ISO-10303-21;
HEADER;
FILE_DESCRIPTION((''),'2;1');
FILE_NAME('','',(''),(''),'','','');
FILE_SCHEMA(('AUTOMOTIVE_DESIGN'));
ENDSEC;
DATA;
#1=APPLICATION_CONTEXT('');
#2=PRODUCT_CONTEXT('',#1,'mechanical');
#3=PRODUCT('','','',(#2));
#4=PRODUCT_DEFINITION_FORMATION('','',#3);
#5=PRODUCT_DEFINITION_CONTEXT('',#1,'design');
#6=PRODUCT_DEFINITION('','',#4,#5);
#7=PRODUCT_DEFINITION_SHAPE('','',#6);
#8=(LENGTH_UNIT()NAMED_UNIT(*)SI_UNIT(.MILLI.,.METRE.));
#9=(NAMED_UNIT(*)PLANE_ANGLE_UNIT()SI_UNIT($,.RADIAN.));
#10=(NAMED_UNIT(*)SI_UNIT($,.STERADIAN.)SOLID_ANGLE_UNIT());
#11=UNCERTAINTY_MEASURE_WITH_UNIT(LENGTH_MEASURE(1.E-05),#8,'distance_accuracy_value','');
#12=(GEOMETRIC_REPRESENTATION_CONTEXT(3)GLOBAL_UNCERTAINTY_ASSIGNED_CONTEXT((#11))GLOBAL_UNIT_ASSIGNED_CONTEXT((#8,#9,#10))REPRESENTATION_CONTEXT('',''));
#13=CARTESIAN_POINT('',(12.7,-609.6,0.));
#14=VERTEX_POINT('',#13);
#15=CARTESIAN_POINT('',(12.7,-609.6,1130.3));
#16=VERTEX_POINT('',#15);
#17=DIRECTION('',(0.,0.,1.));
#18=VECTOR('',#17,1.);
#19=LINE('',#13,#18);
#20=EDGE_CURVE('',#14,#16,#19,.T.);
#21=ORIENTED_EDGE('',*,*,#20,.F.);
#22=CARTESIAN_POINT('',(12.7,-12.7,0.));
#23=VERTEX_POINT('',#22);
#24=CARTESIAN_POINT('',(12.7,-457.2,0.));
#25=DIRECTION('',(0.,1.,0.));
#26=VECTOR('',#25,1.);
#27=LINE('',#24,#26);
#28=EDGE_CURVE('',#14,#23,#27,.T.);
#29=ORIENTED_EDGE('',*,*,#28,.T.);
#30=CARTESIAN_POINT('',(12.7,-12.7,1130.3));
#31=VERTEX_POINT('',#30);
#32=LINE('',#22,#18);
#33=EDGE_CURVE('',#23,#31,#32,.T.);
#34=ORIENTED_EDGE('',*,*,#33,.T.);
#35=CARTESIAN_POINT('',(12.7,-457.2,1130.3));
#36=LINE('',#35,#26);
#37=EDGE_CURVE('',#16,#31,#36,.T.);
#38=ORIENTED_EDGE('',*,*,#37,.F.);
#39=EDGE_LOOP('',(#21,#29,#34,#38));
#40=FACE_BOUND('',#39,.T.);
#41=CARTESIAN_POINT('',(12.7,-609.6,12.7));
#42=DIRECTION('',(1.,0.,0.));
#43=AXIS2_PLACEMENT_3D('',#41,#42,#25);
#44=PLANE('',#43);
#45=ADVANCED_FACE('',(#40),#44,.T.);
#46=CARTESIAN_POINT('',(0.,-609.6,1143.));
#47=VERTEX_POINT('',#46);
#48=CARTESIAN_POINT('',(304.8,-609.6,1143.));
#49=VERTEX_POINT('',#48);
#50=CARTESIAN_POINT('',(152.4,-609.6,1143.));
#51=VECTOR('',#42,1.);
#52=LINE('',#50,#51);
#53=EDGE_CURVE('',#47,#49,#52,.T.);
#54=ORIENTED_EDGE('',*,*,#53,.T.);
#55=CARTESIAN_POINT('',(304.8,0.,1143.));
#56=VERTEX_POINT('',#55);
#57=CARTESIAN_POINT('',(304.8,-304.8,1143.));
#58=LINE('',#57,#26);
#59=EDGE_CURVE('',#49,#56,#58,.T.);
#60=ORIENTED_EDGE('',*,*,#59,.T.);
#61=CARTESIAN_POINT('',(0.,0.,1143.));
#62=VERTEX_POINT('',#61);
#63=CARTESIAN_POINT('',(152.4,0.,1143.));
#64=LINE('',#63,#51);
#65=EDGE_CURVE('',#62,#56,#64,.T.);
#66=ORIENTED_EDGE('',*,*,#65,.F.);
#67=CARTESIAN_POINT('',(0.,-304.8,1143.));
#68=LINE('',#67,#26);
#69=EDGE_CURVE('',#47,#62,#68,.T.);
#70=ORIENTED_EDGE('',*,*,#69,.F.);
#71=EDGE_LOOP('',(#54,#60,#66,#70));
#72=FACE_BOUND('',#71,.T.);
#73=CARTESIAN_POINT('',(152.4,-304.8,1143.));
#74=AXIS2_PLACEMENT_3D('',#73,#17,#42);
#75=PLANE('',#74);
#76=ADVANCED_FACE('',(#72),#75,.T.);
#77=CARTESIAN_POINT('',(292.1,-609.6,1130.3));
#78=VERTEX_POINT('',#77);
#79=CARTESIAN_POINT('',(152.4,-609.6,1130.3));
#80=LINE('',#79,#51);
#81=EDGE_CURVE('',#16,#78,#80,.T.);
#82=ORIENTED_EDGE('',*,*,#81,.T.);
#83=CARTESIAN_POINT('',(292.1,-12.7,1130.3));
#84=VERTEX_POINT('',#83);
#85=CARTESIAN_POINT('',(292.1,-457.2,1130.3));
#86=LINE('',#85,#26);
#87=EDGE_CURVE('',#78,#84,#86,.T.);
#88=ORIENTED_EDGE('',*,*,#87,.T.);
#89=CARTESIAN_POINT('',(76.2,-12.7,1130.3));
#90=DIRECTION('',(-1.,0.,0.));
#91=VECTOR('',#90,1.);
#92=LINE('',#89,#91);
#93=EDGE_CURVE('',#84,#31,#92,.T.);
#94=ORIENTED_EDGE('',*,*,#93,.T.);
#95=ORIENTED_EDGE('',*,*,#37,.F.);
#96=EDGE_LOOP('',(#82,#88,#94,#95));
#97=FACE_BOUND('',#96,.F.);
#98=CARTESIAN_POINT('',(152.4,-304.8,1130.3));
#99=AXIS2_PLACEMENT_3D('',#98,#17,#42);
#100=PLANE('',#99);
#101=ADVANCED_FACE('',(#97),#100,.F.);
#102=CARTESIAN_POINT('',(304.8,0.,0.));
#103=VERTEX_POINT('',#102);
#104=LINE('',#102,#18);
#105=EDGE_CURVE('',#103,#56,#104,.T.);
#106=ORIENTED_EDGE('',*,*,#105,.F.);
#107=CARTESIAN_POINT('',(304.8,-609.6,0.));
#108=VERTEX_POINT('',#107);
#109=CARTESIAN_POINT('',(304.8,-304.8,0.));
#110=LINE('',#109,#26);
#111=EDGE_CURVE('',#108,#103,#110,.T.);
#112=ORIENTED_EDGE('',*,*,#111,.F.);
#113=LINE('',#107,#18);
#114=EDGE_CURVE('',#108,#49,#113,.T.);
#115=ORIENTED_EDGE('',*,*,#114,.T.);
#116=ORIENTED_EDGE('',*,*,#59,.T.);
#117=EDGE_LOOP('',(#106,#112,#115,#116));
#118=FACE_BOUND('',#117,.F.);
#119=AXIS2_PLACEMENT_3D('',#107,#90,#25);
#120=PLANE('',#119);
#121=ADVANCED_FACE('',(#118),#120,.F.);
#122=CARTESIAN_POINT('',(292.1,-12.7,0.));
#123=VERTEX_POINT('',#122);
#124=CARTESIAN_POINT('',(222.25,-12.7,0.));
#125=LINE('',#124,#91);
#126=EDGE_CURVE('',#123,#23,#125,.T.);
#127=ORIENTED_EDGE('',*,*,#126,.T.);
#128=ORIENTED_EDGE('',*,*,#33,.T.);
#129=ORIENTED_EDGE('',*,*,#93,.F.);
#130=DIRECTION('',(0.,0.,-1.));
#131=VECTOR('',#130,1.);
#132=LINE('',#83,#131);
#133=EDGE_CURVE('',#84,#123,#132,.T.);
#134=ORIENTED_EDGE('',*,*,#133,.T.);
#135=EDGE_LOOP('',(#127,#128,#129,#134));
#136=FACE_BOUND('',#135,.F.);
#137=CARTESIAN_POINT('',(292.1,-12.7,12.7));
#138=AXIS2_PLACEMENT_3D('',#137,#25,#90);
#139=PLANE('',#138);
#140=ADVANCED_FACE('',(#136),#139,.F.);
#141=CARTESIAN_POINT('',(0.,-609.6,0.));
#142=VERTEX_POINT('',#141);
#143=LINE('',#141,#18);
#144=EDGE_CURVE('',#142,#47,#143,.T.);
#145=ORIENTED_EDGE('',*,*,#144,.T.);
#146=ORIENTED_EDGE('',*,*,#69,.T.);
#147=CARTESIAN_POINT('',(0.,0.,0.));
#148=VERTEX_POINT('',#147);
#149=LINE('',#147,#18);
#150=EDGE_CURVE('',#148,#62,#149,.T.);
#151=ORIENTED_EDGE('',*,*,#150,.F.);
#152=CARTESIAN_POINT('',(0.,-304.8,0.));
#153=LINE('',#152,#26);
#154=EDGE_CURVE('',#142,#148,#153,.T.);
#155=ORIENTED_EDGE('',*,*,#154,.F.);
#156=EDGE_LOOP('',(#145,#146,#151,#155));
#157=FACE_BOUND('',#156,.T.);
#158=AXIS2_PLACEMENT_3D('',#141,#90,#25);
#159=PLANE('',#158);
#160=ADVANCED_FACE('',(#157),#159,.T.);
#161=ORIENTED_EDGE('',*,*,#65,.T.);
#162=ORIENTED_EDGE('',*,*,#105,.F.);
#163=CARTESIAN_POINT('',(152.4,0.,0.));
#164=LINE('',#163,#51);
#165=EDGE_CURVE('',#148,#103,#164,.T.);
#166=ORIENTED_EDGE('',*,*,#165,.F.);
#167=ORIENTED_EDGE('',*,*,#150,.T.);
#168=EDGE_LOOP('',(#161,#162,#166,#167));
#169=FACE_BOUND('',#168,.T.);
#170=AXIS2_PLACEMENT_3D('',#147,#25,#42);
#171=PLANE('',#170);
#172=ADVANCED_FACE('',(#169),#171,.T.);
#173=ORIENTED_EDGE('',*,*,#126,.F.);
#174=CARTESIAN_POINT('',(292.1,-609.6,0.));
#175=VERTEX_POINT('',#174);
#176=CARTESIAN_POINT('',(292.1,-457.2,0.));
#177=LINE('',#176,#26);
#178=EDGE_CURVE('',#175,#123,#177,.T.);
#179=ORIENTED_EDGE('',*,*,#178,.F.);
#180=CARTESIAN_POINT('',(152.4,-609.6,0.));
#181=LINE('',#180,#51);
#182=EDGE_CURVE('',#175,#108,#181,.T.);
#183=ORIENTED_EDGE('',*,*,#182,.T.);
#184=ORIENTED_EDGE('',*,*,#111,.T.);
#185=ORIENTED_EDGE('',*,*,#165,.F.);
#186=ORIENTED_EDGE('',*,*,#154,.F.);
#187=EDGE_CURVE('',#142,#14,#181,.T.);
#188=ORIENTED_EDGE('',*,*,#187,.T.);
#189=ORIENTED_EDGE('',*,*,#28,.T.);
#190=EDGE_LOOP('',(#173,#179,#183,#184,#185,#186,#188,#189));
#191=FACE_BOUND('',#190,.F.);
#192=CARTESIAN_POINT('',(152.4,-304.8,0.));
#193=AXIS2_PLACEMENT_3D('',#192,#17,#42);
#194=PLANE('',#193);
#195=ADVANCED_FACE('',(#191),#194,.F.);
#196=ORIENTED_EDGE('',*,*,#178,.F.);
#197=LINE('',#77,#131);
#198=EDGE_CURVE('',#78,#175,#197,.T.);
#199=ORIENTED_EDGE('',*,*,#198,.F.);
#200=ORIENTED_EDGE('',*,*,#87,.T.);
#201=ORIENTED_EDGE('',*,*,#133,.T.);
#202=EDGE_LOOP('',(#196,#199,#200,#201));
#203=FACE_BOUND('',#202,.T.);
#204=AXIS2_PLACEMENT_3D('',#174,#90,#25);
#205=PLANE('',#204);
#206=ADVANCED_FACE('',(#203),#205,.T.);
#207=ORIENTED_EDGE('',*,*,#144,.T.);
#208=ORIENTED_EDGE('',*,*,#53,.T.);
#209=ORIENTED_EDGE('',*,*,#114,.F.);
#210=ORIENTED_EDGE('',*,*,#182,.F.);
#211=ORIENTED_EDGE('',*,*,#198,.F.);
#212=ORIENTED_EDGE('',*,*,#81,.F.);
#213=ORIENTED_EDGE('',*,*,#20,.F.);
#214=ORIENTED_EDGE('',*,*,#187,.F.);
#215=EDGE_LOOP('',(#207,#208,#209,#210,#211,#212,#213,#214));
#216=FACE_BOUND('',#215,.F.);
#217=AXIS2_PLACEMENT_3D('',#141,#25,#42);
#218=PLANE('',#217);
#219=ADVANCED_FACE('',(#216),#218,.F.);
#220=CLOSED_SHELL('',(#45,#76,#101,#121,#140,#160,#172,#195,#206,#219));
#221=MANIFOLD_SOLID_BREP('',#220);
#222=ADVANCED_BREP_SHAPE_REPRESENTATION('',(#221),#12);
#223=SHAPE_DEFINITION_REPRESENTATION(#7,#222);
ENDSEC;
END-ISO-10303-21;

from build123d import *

# Parameters (mm, degrees)
F0_W     = 304.8
F0_H     = 609.6
F1_DEPTH = 1143
F2_T     = -12.7
F3_DEPTH = 12.701


with BuildPart() as f1:
    # F0 (on Top) → F1 (new body)
    with BuildSketch(Plane.XY):
        with Locations((152.4, -304.8)):
            Rectangle(F0_W, F0_H)
    extrude(amount=F1_DEPTH)

    # F2
    f2_openings = [f1.faces().sort_by_distance(p)[0] for p in [
        (152.4, -609.6, 571.5),
    ]]
    offset(amount=F2_T, openings=f2_openings)

    # F3 (cut, through all): a face of the model
    f3_faces = [f1.faces().sort_by_distance(p)[0] for p in [
        (152.4, -311.15, 12.7),
    ]]
    extrude(f3_faces, amount=-F3_DEPTH, mode=Mode.SUBTRACT)


solid = f1.part
